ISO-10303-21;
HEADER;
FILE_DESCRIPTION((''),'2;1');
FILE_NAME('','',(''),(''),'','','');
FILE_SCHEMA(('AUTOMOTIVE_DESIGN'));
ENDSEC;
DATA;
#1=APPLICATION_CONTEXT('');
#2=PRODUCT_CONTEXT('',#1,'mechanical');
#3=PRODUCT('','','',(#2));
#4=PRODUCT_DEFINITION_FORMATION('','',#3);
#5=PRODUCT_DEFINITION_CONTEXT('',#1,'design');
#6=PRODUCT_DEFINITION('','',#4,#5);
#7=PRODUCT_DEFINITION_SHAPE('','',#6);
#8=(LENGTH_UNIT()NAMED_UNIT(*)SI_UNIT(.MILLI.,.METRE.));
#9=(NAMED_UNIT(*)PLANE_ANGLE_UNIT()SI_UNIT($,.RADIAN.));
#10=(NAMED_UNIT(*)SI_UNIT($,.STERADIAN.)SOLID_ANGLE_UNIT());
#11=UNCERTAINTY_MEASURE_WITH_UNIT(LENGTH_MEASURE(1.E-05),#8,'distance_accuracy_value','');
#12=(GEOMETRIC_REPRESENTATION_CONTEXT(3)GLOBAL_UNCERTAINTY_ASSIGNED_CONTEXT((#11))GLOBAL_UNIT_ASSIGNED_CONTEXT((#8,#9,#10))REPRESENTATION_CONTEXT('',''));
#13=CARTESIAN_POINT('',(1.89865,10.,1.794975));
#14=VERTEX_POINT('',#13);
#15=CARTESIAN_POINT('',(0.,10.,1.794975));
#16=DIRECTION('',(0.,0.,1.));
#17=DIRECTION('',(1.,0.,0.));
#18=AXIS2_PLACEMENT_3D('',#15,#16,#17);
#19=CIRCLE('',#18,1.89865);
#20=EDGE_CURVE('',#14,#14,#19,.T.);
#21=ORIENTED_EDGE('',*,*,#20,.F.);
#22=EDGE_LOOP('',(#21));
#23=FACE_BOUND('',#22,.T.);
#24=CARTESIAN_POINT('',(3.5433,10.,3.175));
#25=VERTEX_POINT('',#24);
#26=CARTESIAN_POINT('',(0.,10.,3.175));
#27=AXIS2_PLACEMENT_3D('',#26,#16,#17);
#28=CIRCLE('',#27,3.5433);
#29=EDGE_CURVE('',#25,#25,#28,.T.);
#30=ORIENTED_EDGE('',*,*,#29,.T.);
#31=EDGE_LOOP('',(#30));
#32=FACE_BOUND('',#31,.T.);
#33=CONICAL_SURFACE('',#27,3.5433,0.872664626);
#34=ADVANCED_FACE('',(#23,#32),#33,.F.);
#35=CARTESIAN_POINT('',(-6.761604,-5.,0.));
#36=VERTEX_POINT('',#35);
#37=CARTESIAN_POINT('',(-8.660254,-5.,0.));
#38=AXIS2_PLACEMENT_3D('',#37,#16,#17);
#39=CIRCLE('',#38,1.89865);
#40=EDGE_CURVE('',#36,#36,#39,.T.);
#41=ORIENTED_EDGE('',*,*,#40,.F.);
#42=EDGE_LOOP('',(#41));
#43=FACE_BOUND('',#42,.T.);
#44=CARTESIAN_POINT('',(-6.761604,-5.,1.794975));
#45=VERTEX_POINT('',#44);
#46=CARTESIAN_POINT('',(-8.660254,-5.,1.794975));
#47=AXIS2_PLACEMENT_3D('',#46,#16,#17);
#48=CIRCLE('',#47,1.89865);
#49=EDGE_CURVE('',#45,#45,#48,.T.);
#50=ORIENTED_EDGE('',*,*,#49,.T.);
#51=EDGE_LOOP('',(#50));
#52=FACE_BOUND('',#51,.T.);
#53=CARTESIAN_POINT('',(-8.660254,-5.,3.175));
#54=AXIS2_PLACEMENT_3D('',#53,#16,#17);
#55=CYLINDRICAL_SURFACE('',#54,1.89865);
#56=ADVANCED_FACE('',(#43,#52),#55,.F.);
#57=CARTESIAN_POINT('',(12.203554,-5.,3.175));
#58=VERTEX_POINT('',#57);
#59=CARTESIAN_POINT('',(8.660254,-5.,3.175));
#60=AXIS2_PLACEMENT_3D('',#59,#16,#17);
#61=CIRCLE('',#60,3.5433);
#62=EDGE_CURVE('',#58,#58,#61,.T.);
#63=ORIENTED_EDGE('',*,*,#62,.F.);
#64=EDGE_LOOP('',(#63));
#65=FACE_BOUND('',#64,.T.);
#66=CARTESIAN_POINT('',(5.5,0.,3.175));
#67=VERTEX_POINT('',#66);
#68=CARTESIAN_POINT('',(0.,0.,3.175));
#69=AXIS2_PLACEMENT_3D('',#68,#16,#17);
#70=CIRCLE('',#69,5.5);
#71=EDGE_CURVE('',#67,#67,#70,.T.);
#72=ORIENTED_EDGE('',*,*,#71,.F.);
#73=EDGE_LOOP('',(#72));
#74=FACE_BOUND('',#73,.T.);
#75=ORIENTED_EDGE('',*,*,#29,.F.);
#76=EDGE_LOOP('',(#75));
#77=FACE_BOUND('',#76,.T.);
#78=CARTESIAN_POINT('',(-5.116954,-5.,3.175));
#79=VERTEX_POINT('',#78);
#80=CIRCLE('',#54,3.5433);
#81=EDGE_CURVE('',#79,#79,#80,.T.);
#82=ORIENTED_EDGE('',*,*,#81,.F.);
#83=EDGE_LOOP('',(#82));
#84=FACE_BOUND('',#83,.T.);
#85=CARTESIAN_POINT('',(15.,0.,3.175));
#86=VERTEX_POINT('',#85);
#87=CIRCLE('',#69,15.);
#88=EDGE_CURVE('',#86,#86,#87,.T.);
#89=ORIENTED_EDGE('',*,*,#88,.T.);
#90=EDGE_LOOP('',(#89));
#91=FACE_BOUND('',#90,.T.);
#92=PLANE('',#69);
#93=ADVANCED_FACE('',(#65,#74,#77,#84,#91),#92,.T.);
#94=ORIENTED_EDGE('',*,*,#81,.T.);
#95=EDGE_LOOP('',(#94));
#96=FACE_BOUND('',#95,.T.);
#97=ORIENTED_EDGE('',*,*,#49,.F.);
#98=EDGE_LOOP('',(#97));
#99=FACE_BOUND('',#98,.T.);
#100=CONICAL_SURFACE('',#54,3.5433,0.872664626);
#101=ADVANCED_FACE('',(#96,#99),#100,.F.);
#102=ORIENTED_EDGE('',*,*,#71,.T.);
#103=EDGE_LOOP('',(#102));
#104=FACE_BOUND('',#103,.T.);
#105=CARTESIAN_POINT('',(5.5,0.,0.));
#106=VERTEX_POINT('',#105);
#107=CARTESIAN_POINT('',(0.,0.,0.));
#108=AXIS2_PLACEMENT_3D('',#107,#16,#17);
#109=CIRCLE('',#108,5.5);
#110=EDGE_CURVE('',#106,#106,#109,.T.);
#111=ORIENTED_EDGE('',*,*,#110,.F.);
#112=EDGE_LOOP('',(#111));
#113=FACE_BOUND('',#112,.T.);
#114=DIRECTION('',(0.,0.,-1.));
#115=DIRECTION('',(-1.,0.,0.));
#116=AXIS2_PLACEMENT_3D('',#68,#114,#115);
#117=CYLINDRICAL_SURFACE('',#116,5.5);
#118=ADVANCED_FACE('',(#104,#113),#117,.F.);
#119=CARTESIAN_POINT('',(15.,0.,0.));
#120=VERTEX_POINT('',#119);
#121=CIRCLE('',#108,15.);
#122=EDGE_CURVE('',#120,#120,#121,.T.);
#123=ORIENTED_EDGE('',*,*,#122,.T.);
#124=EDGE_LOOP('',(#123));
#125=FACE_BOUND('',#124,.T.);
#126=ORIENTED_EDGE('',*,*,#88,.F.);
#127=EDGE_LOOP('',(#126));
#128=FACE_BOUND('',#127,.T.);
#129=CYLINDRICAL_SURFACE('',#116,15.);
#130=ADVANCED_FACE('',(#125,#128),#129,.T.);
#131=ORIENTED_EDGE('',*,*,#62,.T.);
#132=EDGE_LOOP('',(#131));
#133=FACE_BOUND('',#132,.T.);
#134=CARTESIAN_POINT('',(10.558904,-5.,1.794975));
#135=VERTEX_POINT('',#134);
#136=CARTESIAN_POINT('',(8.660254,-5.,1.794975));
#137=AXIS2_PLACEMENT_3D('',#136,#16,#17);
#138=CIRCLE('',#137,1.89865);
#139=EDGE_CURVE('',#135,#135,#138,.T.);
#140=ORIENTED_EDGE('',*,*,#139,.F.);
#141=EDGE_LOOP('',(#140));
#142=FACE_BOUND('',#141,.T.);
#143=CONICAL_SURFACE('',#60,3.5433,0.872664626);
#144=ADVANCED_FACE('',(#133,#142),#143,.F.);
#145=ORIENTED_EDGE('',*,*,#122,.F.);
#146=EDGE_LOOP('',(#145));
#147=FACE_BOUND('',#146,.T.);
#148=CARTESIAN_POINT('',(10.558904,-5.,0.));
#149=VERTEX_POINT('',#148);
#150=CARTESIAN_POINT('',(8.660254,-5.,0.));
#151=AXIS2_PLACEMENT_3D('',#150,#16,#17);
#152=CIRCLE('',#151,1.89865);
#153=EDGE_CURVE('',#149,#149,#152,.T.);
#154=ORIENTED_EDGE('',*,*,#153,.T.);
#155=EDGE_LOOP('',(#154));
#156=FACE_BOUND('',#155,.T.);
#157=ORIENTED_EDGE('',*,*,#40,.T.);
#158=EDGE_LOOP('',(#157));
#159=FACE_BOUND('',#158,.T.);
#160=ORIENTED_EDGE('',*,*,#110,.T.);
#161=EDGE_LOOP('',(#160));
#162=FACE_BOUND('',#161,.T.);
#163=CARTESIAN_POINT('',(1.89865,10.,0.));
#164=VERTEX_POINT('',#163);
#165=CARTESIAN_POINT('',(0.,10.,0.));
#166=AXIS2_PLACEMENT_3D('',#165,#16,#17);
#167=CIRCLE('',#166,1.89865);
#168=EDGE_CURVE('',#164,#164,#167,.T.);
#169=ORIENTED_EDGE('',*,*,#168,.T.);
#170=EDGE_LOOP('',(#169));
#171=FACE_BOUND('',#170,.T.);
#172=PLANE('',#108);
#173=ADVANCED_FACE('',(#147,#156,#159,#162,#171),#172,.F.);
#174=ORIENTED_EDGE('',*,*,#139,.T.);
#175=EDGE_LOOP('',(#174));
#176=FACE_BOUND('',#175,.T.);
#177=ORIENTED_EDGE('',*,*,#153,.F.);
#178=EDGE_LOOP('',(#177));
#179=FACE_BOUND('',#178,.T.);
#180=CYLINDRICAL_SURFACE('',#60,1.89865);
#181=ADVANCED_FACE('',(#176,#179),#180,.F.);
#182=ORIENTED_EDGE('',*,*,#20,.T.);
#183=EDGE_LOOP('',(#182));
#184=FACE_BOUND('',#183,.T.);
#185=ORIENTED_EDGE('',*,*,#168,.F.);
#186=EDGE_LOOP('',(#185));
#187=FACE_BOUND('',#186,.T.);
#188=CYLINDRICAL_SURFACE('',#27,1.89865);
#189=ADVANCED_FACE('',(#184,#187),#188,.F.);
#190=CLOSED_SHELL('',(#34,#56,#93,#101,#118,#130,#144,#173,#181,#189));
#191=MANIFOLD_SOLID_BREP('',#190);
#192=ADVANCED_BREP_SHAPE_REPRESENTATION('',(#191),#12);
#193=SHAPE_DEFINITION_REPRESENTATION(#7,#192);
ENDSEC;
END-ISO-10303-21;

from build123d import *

# Parameters (mm, degrees)
SKETCH1_R                                         = 15
SKETCH1_R_2                                       = 5.5
BODY_DEPTH                                        = 3.175
CSK_FOR_6_FLAT_HEAD_MACHINE_SCREW_100_D           = 3.7973
CSK_FOR_6_FLAT_HEAD_MACHINE_SCREW_100_CSINK_D     = 7.0866
CSK_FOR_6_FLAT_HEAD_MACHINE_SCREW_100_CSINK_ANGLE = 100


with BuildPart() as part:
    # Sketch1 → Body (new body)
    with BuildSketch(Plane.XY):
        Circle(SKETCH1_R)
        Circle(SKETCH1_R_2, mode=Mode.SUBTRACT)
    extrude(amount=BODY_DEPTH)

    # CSK for #6 Flat Head Machine Screw (100)1 (through all)
    with Locations(Plane(origin=(0, 10, 3.175), x_dir=(1, 0, 0), z_dir=(0, 0, 1))):
        with Locations((0, 0), (-8.660254038, -15), (8.660254038, -15)):
            CounterSinkHole(CSK_FOR_6_FLAT_HEAD_MACHINE_SCREW_100_D / 2, CSK_FOR_6_FLAT_HEAD_MACHINE_SCREW_100_CSINK_D / 2, counter_sink_angle=CSK_FOR_6_FLAT_HEAD_MACHINE_SCREW_100_CSINK_ANGLE)


solid = part.part
